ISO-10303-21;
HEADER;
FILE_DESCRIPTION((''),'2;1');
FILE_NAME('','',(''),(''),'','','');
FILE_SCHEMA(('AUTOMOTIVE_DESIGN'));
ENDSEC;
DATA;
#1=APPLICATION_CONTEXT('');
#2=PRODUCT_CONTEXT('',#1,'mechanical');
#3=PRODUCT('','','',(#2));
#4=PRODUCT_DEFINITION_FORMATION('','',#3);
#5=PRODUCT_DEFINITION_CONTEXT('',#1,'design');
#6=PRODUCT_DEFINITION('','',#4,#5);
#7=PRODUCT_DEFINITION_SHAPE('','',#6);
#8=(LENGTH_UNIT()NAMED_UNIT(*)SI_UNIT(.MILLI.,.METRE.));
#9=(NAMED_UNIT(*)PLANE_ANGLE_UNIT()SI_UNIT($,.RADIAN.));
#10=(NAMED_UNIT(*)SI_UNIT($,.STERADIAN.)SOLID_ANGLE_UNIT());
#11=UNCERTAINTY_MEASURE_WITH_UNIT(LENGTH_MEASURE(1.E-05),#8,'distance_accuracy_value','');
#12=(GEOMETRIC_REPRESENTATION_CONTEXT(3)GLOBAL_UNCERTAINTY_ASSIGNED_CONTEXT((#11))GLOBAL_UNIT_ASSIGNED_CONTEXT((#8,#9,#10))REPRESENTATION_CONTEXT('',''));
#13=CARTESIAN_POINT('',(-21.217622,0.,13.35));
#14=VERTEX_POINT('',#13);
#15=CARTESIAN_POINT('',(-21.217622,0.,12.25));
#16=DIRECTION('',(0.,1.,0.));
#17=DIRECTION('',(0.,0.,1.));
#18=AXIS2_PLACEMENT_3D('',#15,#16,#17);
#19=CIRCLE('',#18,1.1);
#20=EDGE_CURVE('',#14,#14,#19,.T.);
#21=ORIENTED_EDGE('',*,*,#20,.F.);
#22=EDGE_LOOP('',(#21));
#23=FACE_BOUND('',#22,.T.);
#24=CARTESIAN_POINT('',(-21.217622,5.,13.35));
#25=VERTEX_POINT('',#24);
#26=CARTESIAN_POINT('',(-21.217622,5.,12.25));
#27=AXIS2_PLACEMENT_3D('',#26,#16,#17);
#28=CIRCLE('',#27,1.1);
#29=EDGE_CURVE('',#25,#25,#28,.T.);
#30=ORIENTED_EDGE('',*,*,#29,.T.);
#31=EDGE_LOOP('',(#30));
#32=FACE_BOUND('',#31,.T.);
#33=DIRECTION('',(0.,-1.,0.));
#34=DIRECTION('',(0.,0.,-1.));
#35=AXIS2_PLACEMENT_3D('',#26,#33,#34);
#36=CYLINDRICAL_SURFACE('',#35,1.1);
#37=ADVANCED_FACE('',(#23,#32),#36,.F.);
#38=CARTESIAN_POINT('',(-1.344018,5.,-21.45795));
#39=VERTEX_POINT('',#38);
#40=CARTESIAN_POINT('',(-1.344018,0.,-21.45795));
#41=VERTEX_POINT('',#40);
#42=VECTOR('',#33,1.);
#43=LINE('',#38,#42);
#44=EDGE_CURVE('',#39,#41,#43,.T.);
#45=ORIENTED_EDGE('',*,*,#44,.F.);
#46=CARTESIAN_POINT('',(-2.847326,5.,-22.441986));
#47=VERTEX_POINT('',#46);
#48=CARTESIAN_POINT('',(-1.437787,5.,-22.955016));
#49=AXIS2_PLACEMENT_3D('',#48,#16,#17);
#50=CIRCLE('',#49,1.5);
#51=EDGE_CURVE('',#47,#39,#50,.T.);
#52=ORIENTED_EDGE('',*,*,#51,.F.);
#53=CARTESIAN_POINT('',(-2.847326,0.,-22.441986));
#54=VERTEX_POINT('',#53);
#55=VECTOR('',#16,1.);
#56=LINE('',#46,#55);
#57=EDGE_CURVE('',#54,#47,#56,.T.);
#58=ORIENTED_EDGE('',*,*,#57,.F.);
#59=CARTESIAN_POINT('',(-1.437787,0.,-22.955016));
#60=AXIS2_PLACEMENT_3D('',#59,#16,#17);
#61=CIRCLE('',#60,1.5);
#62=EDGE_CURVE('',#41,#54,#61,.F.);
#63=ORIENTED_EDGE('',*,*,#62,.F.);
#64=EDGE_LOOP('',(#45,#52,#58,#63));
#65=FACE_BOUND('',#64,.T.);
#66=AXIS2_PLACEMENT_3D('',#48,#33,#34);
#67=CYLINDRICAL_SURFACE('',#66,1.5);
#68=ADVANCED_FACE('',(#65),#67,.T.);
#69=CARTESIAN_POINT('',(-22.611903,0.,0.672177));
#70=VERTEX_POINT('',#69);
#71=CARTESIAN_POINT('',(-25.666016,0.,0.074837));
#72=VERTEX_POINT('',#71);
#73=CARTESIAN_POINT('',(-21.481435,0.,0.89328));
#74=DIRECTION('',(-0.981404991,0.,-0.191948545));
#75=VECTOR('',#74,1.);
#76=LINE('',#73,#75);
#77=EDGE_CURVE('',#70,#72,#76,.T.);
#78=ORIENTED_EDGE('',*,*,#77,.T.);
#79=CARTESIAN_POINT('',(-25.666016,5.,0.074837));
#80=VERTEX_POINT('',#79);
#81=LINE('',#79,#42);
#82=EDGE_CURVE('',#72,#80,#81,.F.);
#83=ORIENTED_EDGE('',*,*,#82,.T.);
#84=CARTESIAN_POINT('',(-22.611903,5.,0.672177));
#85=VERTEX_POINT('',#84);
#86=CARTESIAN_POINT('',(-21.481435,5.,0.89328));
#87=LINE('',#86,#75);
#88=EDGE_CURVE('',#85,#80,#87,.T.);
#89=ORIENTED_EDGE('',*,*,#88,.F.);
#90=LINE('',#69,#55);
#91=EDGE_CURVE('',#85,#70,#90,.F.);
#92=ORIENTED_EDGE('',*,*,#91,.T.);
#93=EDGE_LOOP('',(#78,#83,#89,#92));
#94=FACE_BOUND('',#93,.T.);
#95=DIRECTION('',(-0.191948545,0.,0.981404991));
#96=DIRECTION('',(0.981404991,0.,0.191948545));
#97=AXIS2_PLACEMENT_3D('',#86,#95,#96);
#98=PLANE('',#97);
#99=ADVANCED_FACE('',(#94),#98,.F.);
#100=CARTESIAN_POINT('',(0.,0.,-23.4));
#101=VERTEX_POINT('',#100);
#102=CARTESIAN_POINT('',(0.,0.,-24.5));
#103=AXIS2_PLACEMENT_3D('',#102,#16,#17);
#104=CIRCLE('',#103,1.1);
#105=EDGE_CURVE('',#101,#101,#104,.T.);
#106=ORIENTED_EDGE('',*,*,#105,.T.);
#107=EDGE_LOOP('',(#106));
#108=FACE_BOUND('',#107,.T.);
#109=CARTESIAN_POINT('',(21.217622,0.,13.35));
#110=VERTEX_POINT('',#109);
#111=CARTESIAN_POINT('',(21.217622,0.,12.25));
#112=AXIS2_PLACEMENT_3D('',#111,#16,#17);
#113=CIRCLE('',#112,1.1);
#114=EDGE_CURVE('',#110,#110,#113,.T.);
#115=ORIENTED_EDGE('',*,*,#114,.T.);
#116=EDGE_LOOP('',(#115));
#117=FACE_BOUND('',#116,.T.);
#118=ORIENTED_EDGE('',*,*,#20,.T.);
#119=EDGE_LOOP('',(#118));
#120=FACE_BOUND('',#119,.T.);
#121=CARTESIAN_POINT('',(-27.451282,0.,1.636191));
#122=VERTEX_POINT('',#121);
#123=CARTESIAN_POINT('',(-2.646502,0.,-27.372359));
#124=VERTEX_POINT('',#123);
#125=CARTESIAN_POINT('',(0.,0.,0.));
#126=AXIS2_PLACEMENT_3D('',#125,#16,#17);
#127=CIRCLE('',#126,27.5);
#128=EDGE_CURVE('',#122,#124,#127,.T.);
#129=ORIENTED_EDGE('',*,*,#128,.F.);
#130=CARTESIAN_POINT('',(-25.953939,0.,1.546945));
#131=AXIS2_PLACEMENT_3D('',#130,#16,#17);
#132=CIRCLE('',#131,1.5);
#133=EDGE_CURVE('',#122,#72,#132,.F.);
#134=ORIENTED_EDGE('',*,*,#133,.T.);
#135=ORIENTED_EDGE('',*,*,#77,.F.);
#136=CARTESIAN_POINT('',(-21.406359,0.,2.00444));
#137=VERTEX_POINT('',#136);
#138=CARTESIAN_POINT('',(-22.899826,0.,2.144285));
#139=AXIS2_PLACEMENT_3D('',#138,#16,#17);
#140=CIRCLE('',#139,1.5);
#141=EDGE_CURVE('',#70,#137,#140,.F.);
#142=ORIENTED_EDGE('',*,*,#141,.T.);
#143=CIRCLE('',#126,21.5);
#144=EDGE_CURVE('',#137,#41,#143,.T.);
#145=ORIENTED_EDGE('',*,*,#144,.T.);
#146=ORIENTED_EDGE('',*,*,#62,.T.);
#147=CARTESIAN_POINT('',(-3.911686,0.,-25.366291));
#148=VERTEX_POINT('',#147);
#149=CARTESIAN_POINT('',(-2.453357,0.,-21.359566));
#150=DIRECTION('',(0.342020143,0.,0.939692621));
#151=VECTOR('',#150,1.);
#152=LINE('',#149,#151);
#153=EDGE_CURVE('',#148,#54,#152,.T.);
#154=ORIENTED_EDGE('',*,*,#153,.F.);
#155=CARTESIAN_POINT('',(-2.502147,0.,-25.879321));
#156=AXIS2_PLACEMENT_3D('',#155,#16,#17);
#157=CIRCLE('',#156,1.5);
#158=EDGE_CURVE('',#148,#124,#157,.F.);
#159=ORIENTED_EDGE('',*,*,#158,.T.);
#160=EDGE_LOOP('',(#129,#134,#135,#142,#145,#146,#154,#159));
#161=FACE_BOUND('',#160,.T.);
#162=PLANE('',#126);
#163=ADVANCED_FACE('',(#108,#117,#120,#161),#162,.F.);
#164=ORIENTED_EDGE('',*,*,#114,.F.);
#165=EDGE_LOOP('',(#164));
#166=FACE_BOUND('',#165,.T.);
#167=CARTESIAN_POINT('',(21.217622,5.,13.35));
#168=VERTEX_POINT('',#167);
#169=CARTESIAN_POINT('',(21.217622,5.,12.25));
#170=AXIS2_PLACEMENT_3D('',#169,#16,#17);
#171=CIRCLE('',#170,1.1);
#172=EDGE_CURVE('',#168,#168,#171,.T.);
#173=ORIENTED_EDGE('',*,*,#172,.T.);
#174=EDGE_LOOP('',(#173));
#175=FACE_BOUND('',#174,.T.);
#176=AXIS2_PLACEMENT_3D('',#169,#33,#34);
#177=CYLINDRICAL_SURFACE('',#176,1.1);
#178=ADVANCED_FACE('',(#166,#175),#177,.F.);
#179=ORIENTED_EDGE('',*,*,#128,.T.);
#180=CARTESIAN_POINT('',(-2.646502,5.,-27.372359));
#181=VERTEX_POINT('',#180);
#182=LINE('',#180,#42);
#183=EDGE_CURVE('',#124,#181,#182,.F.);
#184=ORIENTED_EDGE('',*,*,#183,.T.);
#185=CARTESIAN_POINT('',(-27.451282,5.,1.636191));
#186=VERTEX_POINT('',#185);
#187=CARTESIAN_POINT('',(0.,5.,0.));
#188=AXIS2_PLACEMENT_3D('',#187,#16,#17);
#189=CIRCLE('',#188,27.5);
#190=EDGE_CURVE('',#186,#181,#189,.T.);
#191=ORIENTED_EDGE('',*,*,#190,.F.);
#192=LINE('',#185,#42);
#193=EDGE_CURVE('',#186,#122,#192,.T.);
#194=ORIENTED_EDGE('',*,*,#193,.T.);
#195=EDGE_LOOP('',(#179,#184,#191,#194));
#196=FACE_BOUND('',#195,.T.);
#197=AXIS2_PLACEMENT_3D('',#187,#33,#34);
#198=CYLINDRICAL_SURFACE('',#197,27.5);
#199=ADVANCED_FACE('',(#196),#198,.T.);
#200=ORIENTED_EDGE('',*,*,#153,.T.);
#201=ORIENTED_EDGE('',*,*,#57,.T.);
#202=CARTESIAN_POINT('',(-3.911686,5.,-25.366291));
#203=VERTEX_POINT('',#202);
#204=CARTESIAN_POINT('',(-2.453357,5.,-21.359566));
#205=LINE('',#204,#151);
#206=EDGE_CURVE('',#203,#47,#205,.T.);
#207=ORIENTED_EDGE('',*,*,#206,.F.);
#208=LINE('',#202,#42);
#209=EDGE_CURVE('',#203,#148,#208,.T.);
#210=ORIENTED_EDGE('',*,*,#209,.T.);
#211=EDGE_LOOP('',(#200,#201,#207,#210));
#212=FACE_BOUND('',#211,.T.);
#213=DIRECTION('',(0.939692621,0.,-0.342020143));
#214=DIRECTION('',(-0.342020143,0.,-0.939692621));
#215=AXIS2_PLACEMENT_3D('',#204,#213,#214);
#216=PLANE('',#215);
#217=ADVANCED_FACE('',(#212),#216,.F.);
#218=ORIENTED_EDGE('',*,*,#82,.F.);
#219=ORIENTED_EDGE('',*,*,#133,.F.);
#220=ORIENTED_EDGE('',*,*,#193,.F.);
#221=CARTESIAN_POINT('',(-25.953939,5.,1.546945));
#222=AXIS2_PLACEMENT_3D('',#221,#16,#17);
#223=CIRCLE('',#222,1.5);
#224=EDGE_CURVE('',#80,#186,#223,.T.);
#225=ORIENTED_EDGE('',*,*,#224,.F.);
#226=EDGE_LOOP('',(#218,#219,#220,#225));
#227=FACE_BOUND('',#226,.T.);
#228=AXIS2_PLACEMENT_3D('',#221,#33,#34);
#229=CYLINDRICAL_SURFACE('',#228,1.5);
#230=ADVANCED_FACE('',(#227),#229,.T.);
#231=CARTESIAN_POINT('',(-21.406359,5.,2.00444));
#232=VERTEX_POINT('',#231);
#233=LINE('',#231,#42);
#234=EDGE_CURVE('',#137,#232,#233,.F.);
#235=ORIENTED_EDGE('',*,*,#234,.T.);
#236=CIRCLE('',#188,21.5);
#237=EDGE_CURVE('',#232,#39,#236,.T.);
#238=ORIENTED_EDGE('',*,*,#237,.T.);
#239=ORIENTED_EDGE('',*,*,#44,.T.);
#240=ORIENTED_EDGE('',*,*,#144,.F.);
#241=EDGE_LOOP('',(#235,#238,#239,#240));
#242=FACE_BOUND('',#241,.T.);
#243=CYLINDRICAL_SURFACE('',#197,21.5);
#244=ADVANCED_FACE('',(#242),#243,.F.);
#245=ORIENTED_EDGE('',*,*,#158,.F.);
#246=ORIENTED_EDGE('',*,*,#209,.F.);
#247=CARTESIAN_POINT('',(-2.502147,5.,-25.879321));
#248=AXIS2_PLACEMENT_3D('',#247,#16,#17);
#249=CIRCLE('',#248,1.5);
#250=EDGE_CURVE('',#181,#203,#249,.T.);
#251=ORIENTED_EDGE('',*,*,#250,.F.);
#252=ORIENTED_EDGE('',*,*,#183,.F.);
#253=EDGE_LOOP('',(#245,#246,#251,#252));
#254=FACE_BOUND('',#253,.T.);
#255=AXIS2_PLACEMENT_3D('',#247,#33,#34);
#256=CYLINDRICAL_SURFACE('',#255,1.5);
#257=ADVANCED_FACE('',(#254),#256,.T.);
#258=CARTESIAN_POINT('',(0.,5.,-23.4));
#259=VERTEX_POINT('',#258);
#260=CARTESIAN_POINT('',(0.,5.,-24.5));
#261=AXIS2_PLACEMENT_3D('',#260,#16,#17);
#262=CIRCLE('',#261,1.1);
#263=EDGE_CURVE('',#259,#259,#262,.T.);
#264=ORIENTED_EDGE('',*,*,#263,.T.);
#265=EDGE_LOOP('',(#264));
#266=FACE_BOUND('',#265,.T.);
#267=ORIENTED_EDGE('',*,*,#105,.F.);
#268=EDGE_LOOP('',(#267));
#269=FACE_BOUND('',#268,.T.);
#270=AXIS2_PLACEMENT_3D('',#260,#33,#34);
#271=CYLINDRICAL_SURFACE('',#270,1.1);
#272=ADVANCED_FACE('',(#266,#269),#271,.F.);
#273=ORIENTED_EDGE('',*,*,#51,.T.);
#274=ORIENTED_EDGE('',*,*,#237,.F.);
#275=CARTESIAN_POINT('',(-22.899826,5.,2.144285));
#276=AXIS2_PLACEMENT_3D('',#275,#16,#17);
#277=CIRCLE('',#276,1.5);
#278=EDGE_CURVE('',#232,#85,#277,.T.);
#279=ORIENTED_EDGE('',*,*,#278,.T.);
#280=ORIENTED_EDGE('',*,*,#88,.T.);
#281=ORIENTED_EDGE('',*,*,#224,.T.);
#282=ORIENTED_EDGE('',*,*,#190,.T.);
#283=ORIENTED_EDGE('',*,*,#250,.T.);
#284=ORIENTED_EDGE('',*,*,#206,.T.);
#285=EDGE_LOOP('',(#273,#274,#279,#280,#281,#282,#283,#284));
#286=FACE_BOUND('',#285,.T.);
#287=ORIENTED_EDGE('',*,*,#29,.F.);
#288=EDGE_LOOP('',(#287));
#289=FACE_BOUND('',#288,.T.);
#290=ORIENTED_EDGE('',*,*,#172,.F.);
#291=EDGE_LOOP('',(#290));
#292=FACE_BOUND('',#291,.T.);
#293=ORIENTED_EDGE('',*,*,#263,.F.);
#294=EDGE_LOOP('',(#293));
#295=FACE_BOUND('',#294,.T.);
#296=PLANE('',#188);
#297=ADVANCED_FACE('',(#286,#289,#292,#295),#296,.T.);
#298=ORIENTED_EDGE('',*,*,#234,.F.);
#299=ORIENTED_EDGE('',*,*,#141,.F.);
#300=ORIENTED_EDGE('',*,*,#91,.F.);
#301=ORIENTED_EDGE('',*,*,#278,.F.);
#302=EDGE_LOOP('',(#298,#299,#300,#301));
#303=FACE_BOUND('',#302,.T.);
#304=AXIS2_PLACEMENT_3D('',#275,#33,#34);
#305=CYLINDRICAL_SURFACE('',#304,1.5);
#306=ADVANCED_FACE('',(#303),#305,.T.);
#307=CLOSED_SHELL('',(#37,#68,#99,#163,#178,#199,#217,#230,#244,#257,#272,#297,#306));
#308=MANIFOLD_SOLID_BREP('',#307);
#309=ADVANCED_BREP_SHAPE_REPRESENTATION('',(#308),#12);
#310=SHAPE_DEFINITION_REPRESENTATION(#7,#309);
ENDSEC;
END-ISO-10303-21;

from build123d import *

# Parameters (mm, degrees)
SKETCH_1_R          = 27.5
SKETCH_1_R_2        = 21.5
SKETCH_1_R_3        = 1.1
EXTRUDE_1_DEPTH     = 5
CUT_EXTRUDE_1_DEPTH = 5
FILLET_1_R          = 1.5


with BuildPart() as part:
    # 草图1 → 凸台-拉伸1 (new body)
    with BuildSketch(Plane(origin=(0, 0, 0), x_dir=(1, 0, 0), z_dir=(0, 1, 0))):
        with Locations(Location((0, 0, 0), (0, 0, 270))):
            Circle(SKETCH_1_R)
        with Locations(Location((0, 0, 0), (0, 0, 270))):
            Circle(SKETCH_1_R_2, mode=Mode.SUBTRACT)
        with Locations(Location((0, 24.5, 0), (0, 0, 270))):
            Circle(SKETCH_1_R_3, mode=Mode.SUBTRACT)
        with Locations(Location((21.217622393, -12.25, 0), (0, 0, 270))):
            Circle(SKETCH_1_R_3, mode=Mode.SUBTRACT)
        with Locations(Location((-21.217622393, -12.25, 0), (0, 0, 270))):
            Circle(SKETCH_1_R_3, mode=Mode.SUBTRACT)
    extrude(amount=EXTRUDE_1_DEPTH)

    # 草图2 → 切除-拉伸1 (cut)
    with BuildSketch(Plane.XZ):
        with BuildLine():
            Line((-2.453357197, -21.359565503), (-4.550320626, -27.120925172))
            ThreePointArc((-4.550320626, -27.120925172), (-20.900792824, -17.871957345), (-27.498537849, -0.283577443))
            Line((-27.498537849, -0.283577443), (-21.481435012, 0.89328037))
            ThreePointArc((-21.481435012, 0.89328037), (-16.340619844, -13.972621197), (-2.453357197, -21.359565503))
        make_face()
    extrude(amount=-CUT_EXTRUDE_1_DEPTH, mode=Mode.SUBTRACT)

    # 圆角1
    fillet_1_edges = [part.edges().sort_by_distance(p)[0] for p in [
        (-21.481435012, 2.5, 0.89328037),
        (-2.453357197, 2.5, -21.359565503),
        (-4.550320626, 2.5, -27.120925172),
        (-27.498537849, 2.5, -0.283577443),
    ]]
    fillet(fillet_1_edges, radius=FILLET_1_R)


solid = part.part
